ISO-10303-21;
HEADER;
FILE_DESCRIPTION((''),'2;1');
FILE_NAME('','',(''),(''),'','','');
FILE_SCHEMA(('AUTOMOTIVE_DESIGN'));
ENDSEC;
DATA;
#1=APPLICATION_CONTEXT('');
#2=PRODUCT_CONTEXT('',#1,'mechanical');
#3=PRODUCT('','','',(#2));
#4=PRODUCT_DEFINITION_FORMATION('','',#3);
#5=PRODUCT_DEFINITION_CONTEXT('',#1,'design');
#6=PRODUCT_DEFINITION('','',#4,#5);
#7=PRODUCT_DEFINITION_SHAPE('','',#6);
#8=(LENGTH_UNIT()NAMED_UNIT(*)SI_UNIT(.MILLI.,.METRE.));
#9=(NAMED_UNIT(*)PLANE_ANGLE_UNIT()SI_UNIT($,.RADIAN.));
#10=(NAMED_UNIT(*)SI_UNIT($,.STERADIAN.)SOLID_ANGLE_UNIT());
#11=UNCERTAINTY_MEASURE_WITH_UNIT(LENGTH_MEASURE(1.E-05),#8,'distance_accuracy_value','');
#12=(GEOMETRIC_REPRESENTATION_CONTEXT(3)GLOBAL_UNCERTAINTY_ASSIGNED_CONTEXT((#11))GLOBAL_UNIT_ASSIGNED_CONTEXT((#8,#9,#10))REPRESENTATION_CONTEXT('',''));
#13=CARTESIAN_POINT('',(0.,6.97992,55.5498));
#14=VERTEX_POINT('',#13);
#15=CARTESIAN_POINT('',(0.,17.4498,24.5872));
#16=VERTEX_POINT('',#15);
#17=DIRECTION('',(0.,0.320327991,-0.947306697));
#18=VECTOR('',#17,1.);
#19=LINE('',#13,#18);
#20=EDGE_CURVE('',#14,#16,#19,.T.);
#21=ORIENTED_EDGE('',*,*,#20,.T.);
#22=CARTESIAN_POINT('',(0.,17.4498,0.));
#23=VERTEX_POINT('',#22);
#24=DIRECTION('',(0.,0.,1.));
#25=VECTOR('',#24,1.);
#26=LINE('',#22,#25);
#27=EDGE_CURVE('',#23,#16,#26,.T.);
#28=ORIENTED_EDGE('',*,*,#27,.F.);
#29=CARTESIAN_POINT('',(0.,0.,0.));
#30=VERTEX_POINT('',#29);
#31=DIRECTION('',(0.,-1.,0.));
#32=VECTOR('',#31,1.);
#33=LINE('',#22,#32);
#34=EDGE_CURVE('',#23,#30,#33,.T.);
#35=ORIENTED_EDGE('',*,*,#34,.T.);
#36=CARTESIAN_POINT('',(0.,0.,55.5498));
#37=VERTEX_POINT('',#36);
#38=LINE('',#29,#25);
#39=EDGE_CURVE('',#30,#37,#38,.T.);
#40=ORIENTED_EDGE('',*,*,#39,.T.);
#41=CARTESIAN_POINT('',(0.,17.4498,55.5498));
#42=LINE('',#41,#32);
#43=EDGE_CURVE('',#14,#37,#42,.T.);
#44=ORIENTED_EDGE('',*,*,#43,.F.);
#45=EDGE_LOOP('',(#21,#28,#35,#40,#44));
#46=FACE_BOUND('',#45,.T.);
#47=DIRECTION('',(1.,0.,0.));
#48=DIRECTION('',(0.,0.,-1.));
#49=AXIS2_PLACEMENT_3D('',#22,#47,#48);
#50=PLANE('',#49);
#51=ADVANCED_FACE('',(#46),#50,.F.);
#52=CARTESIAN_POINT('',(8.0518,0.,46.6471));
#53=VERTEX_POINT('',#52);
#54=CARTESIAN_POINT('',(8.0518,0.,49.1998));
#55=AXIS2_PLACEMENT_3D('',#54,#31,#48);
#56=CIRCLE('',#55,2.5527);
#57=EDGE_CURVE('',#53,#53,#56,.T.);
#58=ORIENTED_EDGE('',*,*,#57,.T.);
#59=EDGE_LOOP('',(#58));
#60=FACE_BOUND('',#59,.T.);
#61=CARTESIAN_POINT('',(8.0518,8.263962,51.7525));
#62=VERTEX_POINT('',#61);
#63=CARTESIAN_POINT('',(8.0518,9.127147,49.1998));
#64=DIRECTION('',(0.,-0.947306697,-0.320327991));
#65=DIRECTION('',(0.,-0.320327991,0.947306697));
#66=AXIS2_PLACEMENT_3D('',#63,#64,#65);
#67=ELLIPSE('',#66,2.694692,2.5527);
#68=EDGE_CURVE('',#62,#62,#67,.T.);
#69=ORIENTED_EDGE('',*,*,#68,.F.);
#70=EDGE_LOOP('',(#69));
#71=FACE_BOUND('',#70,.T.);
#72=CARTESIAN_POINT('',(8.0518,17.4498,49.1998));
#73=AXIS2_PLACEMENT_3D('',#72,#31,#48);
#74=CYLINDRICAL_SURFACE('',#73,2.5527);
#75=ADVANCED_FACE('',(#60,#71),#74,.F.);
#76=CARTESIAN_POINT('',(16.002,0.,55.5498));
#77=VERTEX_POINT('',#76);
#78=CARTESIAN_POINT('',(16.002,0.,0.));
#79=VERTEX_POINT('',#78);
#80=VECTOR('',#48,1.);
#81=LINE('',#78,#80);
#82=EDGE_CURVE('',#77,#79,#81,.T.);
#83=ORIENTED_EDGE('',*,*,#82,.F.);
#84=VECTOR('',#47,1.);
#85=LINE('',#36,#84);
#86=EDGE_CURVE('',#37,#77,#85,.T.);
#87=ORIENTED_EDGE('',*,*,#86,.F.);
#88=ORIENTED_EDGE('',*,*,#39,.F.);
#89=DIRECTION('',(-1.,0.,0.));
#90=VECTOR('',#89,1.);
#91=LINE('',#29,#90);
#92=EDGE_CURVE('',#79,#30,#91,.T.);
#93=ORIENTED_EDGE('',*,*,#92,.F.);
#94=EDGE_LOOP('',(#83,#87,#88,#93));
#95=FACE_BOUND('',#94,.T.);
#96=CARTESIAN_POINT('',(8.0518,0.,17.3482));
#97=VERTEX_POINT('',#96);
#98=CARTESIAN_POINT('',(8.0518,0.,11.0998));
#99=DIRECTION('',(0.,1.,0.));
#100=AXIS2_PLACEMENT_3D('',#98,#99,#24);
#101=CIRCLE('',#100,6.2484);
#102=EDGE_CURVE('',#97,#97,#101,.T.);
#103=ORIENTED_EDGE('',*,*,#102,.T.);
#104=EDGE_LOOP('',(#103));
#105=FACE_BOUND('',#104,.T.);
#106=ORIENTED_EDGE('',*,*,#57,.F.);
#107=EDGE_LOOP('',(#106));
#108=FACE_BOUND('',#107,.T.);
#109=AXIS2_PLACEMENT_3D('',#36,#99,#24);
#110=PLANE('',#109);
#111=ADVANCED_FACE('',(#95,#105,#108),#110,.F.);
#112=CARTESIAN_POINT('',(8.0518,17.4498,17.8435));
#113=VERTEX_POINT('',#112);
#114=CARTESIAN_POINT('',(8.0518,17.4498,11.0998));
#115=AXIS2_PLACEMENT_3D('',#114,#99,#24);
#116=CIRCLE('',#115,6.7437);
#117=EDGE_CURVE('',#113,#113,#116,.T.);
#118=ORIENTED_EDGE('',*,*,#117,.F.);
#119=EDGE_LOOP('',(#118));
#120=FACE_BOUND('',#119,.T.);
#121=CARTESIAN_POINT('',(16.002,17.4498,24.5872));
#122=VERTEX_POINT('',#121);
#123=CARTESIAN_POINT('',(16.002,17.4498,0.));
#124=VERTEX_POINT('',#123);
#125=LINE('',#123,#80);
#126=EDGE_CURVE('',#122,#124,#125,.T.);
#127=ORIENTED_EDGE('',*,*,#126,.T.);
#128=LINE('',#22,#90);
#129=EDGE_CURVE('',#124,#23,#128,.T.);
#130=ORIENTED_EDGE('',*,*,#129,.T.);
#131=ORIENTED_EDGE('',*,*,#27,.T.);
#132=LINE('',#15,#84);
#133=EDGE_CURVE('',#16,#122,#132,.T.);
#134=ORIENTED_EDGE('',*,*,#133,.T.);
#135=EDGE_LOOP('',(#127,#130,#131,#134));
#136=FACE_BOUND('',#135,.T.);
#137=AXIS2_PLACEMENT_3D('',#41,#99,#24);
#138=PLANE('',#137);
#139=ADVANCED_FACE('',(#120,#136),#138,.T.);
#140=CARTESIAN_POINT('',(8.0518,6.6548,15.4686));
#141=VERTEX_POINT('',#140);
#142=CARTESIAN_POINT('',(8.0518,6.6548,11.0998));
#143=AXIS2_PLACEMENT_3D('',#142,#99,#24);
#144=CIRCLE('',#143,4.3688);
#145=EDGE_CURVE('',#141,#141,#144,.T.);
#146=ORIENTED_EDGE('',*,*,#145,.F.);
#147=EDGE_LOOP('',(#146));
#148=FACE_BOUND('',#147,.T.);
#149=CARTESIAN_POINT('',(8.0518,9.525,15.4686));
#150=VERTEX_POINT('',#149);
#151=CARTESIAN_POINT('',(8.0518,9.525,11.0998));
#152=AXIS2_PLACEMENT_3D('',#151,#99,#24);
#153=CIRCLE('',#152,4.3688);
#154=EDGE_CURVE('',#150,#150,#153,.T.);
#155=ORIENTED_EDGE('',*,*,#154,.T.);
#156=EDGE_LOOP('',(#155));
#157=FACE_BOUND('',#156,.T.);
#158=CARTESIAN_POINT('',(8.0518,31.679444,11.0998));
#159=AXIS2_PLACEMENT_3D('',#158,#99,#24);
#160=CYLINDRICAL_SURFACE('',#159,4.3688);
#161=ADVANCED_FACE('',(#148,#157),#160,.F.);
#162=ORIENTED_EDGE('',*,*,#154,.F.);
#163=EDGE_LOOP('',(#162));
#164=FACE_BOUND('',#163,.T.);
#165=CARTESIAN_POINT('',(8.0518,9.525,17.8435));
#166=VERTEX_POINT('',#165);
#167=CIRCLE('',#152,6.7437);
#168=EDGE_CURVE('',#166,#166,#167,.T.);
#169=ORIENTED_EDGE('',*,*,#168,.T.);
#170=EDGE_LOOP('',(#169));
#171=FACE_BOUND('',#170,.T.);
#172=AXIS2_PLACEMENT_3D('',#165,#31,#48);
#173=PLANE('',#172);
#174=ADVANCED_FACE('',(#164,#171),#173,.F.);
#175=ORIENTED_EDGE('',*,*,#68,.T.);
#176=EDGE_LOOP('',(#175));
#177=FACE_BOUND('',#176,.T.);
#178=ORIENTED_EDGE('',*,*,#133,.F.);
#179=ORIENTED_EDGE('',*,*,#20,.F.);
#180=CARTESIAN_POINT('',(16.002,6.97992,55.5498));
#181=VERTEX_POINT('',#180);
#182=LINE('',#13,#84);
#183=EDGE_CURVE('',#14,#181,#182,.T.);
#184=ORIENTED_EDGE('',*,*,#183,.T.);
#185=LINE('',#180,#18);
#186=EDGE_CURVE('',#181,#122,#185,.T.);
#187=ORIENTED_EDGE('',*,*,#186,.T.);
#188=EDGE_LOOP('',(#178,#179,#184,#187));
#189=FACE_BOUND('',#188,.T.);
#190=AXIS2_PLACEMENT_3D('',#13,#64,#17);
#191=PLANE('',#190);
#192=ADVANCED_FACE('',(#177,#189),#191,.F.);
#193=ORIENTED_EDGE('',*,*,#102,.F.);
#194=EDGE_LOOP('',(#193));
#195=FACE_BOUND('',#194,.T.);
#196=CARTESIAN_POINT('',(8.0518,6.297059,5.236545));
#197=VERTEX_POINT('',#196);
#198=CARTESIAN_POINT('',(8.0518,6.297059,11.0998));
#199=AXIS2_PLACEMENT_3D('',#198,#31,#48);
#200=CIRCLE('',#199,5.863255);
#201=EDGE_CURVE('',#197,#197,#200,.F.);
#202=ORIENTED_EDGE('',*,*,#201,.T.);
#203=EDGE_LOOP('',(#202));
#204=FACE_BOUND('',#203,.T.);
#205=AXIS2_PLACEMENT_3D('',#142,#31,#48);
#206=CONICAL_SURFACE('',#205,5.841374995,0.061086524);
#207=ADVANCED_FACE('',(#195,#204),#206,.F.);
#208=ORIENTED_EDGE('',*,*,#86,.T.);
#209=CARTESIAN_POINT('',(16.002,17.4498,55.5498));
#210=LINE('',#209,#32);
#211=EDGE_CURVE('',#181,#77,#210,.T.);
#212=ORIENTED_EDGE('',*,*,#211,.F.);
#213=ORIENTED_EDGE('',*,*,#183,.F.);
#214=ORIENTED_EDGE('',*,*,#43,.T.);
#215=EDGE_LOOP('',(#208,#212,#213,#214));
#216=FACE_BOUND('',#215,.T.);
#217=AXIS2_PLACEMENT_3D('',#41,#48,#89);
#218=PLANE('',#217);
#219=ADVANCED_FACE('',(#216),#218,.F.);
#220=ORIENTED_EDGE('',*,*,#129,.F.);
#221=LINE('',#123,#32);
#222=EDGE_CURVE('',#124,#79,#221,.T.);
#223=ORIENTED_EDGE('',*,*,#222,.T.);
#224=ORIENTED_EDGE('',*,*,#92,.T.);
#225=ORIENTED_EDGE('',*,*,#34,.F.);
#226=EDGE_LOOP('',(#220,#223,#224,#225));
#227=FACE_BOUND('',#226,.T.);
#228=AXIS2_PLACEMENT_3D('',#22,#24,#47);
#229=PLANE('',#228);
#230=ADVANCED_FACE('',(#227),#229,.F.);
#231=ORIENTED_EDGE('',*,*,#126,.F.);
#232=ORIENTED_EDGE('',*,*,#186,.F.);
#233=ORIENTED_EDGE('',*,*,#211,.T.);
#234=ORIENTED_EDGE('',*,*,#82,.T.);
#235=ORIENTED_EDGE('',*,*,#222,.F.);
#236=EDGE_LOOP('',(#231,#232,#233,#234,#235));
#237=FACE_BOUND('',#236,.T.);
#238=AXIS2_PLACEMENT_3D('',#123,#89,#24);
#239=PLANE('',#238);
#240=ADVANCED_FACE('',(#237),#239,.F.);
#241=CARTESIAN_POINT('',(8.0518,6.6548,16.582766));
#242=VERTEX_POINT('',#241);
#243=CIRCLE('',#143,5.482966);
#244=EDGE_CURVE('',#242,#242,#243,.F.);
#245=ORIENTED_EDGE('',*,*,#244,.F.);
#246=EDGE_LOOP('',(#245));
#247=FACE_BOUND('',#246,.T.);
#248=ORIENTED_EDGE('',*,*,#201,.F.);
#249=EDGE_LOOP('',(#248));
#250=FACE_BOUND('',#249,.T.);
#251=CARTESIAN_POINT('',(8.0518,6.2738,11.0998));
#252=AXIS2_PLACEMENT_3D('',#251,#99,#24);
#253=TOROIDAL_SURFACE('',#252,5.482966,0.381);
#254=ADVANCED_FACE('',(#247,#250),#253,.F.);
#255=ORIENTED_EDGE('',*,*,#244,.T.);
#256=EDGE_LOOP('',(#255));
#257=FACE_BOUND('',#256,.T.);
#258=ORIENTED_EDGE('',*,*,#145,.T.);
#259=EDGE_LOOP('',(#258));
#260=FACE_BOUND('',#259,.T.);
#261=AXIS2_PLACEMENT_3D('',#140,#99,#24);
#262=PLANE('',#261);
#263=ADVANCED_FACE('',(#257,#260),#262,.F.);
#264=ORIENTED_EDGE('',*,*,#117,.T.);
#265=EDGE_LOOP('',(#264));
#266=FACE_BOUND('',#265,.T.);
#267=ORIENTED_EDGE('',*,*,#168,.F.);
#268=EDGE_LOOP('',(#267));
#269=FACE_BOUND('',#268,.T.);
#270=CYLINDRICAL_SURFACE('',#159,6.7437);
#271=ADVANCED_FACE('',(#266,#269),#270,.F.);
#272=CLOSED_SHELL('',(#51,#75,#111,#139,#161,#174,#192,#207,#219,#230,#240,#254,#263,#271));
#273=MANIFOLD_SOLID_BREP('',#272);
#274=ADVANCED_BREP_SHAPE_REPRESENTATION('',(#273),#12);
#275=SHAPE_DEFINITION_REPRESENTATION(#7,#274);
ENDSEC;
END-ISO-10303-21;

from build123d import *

# Parameters (mm, degrees)
SKETCH1_W          = 16.002
SKETCH1_H          = 55.5498
EXTRUDE1_DEPTH     = 17.4498
FILLET1_R          = 0.381
CUT_EXTRUDE1_DEPTH = 17.002
SKETCH5_R          = 2.5527
CUT_EXTRUDE2_DEPTH = 18.4498


with BuildPart() as part:
    # Sketch1 → Extrude1 (new body)
    with BuildSketch(Plane(origin=(0, 0, 0), x_dir=(1, 0, 0), z_dir=(0, 1, 0))):
        with Locations((8.001, -27.7749)):
            Rectangle(SKETCH1_W, SKETCH1_H)
    extrude(amount=EXTRUDE1_DEPTH)

    # Sketch3 → Cut-Revolve1 (revolve, cut)
    with BuildSketch(Plane(origin=(8.0518, 0, 0), x_dir=(0, 0, -1), z_dir=(1, 0, 0))):
        Polygon((-17.8435, 17.4498), (-17.8435, 9.525), (-15.4686, 9.525), (-15.4686, 6.6548), (-16.941174995, 6.6548), (-17.3482, 0), (-11.0998, 0), (-11.0998, 17.4498), align=None)
    revolve(axis=Axis((8.0518, 31.679444444, 11.0998), (0, -1, 0)), mode=Mode.SUBTRACT)

    # Fillet1
    fillet1_edges = [part.edges().sort_by_distance(p)[0] for p in [
        (8.0518, 6.6548, 5.258425005),
    ]]
    fillet(fillet1_edges, radius=FILLET1_R)

    # Sketch4 → Cut-Extrude1 (cut, through all)
    with BuildSketch(Plane(origin=(16.002, 0, 0), x_dir=(0, 0, -1), z_dir=(1, 0, 0))):
        Polygon((-55.5498, 6.97992), (-55.5498, 17.4498), (-24.5872, 17.4498), align=None)
    extrude(amount=-CUT_EXTRUDE1_DEPTH, mode=Mode.SUBTRACT)

    # Sketch5 → Cut-Extrude2 (cut, through all)
    with BuildSketch(Plane.XZ):
        with Locations(Location((8.0518, 49.1998, 0), (0, 0, 270))):  # turned: the seam where the file's is
            Circle(SKETCH5_R)
    extrude(amount=-CUT_EXTRUDE2_DEPTH, mode=Mode.SUBTRACT)


solid = part.part
